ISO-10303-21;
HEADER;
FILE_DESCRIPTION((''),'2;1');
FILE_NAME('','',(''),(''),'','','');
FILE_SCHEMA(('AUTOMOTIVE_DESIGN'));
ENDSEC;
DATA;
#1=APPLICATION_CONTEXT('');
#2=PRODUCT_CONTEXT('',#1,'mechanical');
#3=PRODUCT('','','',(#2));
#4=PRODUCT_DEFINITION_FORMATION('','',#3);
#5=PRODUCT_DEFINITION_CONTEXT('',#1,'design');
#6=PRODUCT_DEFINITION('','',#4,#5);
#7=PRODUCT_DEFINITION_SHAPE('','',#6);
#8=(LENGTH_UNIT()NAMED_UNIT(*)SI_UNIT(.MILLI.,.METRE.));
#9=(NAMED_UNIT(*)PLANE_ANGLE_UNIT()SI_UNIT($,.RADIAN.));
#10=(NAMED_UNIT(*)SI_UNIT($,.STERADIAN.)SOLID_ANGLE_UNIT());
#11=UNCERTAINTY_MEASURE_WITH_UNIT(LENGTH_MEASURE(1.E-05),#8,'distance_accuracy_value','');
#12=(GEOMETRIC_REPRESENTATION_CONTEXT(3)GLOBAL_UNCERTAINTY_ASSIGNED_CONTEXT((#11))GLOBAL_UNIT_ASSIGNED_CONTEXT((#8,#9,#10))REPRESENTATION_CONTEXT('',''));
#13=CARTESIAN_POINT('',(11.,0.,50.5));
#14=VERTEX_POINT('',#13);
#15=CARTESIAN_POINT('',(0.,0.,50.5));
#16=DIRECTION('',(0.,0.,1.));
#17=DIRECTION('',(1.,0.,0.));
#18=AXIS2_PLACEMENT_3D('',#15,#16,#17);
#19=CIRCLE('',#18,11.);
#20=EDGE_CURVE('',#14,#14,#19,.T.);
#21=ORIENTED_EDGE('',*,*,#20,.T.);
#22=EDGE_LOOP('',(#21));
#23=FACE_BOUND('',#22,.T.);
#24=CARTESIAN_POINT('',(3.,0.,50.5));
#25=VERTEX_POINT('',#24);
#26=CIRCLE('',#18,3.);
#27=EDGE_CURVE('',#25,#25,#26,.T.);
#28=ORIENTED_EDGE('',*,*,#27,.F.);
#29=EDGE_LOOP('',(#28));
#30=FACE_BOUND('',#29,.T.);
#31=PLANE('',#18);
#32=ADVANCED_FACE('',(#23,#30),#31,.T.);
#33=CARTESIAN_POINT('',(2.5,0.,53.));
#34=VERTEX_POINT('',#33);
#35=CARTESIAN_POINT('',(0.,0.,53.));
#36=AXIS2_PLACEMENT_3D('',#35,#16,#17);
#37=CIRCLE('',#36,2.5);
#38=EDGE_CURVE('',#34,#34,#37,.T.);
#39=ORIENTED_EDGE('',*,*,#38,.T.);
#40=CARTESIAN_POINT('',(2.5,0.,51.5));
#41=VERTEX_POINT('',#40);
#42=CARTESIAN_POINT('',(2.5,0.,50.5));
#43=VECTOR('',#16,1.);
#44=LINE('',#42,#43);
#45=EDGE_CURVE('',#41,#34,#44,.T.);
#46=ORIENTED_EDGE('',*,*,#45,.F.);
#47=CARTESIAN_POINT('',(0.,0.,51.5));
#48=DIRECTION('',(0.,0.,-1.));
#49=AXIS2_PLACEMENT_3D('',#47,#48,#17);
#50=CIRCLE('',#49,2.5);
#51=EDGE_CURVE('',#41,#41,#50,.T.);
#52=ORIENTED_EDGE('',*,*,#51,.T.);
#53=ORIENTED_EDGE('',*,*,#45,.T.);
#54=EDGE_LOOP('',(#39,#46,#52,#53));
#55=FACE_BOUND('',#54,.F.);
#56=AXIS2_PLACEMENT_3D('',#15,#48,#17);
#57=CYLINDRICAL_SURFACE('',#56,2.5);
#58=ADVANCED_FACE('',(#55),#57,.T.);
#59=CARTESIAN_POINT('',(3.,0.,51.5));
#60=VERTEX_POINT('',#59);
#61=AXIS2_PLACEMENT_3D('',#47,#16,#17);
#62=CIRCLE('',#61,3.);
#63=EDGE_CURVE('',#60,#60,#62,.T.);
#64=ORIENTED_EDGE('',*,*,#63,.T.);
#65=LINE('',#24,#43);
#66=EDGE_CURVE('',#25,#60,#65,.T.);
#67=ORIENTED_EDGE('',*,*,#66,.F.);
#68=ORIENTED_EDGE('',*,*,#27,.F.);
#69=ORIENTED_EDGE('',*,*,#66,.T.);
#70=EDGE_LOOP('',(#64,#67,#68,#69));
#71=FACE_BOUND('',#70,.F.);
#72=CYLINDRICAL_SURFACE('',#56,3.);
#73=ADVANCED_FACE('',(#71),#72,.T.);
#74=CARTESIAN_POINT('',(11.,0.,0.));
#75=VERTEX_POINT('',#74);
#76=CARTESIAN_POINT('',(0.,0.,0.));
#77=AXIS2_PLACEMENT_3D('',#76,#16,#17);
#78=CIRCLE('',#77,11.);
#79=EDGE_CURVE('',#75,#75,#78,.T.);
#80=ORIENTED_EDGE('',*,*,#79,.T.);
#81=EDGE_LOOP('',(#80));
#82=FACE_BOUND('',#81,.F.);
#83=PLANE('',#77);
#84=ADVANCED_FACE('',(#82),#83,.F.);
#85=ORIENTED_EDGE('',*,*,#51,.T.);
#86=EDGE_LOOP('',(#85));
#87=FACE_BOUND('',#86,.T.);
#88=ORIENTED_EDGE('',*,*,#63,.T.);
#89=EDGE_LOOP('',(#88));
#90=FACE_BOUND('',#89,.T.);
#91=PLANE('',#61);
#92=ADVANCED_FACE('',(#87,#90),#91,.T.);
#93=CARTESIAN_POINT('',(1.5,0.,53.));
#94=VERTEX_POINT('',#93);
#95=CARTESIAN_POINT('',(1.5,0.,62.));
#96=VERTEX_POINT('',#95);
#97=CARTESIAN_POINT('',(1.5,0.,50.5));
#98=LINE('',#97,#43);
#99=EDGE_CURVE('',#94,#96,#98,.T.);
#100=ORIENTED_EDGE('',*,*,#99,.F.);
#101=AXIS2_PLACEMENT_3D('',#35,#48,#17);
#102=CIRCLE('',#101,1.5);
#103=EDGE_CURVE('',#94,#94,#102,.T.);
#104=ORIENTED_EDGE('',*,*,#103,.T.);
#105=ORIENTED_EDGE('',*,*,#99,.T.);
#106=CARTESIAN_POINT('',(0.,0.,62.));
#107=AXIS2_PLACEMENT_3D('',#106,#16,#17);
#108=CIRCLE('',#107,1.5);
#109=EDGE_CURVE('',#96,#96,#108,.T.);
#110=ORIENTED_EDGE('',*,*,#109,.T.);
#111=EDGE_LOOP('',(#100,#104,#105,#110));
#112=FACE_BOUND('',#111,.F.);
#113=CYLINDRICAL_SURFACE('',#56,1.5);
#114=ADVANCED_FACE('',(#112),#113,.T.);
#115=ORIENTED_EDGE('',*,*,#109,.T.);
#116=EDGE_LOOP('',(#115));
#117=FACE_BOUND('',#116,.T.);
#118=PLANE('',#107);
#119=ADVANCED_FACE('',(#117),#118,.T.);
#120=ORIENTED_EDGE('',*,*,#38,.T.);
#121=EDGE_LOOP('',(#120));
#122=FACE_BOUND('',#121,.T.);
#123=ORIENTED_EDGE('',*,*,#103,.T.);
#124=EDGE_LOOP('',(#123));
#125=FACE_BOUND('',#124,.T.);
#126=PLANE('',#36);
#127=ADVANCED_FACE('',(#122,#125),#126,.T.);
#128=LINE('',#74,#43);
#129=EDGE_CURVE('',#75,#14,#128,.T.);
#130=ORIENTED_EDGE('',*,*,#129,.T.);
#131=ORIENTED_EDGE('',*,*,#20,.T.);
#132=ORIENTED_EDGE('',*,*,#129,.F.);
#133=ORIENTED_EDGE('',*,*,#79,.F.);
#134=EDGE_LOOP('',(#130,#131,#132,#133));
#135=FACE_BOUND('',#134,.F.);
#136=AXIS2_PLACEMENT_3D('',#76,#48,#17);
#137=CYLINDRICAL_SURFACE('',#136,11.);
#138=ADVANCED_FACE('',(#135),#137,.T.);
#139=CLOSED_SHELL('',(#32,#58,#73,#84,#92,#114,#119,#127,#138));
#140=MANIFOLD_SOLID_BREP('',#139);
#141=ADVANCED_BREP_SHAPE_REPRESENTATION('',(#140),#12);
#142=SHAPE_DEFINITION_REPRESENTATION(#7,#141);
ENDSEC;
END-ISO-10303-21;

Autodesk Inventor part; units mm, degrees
ref_plane "YZ Plane" through (0, 0, 0) normal (1, 0, 0) x (0, 1, 0)
ref_plane "XZ Plane" through (0, 0, 0) normal (0, 1, 0) x (-1, 0, 0)
ref_plane "XY Plane" through (0, 0, 0) normal (0, 0, 1) x (1, 0, 0)
sketch "Skizze1" plane through (0, 0, 0) normal (0, 0, 1) x (1, 0, 0)
  circle A0 centre (0, 0) radius 11
  dimension "d0" = 22
extrude "Extrusion1" add sketch "Skizze1" along normal blind 50.5
sketch "Skizze2" plane through (0, 0, 50.5) normal (0, 0, 1) x (1, 0, 0)
  circle A0 centre (0, 0) radius 3
  circle A1 centre (0, 0) radius 2.5
  circle A2 centre (0, 0) radius 1.5
  dimension "d3" = 6
  dimension "d4" = 5
  dimension "d9" = 3
extrude "Extrusion2" add sketch "Skizze2" along normal blind 1 contours A0 | A1 | A2
extrude "Extrusion3" add sketch "Skizze2" along normal blind 2.5 contours A1 | A2
extrude "Extrusion4" add sketch "Skizze2" along normal blind 11.5 contours A2
properties part number "MotorStanger"
